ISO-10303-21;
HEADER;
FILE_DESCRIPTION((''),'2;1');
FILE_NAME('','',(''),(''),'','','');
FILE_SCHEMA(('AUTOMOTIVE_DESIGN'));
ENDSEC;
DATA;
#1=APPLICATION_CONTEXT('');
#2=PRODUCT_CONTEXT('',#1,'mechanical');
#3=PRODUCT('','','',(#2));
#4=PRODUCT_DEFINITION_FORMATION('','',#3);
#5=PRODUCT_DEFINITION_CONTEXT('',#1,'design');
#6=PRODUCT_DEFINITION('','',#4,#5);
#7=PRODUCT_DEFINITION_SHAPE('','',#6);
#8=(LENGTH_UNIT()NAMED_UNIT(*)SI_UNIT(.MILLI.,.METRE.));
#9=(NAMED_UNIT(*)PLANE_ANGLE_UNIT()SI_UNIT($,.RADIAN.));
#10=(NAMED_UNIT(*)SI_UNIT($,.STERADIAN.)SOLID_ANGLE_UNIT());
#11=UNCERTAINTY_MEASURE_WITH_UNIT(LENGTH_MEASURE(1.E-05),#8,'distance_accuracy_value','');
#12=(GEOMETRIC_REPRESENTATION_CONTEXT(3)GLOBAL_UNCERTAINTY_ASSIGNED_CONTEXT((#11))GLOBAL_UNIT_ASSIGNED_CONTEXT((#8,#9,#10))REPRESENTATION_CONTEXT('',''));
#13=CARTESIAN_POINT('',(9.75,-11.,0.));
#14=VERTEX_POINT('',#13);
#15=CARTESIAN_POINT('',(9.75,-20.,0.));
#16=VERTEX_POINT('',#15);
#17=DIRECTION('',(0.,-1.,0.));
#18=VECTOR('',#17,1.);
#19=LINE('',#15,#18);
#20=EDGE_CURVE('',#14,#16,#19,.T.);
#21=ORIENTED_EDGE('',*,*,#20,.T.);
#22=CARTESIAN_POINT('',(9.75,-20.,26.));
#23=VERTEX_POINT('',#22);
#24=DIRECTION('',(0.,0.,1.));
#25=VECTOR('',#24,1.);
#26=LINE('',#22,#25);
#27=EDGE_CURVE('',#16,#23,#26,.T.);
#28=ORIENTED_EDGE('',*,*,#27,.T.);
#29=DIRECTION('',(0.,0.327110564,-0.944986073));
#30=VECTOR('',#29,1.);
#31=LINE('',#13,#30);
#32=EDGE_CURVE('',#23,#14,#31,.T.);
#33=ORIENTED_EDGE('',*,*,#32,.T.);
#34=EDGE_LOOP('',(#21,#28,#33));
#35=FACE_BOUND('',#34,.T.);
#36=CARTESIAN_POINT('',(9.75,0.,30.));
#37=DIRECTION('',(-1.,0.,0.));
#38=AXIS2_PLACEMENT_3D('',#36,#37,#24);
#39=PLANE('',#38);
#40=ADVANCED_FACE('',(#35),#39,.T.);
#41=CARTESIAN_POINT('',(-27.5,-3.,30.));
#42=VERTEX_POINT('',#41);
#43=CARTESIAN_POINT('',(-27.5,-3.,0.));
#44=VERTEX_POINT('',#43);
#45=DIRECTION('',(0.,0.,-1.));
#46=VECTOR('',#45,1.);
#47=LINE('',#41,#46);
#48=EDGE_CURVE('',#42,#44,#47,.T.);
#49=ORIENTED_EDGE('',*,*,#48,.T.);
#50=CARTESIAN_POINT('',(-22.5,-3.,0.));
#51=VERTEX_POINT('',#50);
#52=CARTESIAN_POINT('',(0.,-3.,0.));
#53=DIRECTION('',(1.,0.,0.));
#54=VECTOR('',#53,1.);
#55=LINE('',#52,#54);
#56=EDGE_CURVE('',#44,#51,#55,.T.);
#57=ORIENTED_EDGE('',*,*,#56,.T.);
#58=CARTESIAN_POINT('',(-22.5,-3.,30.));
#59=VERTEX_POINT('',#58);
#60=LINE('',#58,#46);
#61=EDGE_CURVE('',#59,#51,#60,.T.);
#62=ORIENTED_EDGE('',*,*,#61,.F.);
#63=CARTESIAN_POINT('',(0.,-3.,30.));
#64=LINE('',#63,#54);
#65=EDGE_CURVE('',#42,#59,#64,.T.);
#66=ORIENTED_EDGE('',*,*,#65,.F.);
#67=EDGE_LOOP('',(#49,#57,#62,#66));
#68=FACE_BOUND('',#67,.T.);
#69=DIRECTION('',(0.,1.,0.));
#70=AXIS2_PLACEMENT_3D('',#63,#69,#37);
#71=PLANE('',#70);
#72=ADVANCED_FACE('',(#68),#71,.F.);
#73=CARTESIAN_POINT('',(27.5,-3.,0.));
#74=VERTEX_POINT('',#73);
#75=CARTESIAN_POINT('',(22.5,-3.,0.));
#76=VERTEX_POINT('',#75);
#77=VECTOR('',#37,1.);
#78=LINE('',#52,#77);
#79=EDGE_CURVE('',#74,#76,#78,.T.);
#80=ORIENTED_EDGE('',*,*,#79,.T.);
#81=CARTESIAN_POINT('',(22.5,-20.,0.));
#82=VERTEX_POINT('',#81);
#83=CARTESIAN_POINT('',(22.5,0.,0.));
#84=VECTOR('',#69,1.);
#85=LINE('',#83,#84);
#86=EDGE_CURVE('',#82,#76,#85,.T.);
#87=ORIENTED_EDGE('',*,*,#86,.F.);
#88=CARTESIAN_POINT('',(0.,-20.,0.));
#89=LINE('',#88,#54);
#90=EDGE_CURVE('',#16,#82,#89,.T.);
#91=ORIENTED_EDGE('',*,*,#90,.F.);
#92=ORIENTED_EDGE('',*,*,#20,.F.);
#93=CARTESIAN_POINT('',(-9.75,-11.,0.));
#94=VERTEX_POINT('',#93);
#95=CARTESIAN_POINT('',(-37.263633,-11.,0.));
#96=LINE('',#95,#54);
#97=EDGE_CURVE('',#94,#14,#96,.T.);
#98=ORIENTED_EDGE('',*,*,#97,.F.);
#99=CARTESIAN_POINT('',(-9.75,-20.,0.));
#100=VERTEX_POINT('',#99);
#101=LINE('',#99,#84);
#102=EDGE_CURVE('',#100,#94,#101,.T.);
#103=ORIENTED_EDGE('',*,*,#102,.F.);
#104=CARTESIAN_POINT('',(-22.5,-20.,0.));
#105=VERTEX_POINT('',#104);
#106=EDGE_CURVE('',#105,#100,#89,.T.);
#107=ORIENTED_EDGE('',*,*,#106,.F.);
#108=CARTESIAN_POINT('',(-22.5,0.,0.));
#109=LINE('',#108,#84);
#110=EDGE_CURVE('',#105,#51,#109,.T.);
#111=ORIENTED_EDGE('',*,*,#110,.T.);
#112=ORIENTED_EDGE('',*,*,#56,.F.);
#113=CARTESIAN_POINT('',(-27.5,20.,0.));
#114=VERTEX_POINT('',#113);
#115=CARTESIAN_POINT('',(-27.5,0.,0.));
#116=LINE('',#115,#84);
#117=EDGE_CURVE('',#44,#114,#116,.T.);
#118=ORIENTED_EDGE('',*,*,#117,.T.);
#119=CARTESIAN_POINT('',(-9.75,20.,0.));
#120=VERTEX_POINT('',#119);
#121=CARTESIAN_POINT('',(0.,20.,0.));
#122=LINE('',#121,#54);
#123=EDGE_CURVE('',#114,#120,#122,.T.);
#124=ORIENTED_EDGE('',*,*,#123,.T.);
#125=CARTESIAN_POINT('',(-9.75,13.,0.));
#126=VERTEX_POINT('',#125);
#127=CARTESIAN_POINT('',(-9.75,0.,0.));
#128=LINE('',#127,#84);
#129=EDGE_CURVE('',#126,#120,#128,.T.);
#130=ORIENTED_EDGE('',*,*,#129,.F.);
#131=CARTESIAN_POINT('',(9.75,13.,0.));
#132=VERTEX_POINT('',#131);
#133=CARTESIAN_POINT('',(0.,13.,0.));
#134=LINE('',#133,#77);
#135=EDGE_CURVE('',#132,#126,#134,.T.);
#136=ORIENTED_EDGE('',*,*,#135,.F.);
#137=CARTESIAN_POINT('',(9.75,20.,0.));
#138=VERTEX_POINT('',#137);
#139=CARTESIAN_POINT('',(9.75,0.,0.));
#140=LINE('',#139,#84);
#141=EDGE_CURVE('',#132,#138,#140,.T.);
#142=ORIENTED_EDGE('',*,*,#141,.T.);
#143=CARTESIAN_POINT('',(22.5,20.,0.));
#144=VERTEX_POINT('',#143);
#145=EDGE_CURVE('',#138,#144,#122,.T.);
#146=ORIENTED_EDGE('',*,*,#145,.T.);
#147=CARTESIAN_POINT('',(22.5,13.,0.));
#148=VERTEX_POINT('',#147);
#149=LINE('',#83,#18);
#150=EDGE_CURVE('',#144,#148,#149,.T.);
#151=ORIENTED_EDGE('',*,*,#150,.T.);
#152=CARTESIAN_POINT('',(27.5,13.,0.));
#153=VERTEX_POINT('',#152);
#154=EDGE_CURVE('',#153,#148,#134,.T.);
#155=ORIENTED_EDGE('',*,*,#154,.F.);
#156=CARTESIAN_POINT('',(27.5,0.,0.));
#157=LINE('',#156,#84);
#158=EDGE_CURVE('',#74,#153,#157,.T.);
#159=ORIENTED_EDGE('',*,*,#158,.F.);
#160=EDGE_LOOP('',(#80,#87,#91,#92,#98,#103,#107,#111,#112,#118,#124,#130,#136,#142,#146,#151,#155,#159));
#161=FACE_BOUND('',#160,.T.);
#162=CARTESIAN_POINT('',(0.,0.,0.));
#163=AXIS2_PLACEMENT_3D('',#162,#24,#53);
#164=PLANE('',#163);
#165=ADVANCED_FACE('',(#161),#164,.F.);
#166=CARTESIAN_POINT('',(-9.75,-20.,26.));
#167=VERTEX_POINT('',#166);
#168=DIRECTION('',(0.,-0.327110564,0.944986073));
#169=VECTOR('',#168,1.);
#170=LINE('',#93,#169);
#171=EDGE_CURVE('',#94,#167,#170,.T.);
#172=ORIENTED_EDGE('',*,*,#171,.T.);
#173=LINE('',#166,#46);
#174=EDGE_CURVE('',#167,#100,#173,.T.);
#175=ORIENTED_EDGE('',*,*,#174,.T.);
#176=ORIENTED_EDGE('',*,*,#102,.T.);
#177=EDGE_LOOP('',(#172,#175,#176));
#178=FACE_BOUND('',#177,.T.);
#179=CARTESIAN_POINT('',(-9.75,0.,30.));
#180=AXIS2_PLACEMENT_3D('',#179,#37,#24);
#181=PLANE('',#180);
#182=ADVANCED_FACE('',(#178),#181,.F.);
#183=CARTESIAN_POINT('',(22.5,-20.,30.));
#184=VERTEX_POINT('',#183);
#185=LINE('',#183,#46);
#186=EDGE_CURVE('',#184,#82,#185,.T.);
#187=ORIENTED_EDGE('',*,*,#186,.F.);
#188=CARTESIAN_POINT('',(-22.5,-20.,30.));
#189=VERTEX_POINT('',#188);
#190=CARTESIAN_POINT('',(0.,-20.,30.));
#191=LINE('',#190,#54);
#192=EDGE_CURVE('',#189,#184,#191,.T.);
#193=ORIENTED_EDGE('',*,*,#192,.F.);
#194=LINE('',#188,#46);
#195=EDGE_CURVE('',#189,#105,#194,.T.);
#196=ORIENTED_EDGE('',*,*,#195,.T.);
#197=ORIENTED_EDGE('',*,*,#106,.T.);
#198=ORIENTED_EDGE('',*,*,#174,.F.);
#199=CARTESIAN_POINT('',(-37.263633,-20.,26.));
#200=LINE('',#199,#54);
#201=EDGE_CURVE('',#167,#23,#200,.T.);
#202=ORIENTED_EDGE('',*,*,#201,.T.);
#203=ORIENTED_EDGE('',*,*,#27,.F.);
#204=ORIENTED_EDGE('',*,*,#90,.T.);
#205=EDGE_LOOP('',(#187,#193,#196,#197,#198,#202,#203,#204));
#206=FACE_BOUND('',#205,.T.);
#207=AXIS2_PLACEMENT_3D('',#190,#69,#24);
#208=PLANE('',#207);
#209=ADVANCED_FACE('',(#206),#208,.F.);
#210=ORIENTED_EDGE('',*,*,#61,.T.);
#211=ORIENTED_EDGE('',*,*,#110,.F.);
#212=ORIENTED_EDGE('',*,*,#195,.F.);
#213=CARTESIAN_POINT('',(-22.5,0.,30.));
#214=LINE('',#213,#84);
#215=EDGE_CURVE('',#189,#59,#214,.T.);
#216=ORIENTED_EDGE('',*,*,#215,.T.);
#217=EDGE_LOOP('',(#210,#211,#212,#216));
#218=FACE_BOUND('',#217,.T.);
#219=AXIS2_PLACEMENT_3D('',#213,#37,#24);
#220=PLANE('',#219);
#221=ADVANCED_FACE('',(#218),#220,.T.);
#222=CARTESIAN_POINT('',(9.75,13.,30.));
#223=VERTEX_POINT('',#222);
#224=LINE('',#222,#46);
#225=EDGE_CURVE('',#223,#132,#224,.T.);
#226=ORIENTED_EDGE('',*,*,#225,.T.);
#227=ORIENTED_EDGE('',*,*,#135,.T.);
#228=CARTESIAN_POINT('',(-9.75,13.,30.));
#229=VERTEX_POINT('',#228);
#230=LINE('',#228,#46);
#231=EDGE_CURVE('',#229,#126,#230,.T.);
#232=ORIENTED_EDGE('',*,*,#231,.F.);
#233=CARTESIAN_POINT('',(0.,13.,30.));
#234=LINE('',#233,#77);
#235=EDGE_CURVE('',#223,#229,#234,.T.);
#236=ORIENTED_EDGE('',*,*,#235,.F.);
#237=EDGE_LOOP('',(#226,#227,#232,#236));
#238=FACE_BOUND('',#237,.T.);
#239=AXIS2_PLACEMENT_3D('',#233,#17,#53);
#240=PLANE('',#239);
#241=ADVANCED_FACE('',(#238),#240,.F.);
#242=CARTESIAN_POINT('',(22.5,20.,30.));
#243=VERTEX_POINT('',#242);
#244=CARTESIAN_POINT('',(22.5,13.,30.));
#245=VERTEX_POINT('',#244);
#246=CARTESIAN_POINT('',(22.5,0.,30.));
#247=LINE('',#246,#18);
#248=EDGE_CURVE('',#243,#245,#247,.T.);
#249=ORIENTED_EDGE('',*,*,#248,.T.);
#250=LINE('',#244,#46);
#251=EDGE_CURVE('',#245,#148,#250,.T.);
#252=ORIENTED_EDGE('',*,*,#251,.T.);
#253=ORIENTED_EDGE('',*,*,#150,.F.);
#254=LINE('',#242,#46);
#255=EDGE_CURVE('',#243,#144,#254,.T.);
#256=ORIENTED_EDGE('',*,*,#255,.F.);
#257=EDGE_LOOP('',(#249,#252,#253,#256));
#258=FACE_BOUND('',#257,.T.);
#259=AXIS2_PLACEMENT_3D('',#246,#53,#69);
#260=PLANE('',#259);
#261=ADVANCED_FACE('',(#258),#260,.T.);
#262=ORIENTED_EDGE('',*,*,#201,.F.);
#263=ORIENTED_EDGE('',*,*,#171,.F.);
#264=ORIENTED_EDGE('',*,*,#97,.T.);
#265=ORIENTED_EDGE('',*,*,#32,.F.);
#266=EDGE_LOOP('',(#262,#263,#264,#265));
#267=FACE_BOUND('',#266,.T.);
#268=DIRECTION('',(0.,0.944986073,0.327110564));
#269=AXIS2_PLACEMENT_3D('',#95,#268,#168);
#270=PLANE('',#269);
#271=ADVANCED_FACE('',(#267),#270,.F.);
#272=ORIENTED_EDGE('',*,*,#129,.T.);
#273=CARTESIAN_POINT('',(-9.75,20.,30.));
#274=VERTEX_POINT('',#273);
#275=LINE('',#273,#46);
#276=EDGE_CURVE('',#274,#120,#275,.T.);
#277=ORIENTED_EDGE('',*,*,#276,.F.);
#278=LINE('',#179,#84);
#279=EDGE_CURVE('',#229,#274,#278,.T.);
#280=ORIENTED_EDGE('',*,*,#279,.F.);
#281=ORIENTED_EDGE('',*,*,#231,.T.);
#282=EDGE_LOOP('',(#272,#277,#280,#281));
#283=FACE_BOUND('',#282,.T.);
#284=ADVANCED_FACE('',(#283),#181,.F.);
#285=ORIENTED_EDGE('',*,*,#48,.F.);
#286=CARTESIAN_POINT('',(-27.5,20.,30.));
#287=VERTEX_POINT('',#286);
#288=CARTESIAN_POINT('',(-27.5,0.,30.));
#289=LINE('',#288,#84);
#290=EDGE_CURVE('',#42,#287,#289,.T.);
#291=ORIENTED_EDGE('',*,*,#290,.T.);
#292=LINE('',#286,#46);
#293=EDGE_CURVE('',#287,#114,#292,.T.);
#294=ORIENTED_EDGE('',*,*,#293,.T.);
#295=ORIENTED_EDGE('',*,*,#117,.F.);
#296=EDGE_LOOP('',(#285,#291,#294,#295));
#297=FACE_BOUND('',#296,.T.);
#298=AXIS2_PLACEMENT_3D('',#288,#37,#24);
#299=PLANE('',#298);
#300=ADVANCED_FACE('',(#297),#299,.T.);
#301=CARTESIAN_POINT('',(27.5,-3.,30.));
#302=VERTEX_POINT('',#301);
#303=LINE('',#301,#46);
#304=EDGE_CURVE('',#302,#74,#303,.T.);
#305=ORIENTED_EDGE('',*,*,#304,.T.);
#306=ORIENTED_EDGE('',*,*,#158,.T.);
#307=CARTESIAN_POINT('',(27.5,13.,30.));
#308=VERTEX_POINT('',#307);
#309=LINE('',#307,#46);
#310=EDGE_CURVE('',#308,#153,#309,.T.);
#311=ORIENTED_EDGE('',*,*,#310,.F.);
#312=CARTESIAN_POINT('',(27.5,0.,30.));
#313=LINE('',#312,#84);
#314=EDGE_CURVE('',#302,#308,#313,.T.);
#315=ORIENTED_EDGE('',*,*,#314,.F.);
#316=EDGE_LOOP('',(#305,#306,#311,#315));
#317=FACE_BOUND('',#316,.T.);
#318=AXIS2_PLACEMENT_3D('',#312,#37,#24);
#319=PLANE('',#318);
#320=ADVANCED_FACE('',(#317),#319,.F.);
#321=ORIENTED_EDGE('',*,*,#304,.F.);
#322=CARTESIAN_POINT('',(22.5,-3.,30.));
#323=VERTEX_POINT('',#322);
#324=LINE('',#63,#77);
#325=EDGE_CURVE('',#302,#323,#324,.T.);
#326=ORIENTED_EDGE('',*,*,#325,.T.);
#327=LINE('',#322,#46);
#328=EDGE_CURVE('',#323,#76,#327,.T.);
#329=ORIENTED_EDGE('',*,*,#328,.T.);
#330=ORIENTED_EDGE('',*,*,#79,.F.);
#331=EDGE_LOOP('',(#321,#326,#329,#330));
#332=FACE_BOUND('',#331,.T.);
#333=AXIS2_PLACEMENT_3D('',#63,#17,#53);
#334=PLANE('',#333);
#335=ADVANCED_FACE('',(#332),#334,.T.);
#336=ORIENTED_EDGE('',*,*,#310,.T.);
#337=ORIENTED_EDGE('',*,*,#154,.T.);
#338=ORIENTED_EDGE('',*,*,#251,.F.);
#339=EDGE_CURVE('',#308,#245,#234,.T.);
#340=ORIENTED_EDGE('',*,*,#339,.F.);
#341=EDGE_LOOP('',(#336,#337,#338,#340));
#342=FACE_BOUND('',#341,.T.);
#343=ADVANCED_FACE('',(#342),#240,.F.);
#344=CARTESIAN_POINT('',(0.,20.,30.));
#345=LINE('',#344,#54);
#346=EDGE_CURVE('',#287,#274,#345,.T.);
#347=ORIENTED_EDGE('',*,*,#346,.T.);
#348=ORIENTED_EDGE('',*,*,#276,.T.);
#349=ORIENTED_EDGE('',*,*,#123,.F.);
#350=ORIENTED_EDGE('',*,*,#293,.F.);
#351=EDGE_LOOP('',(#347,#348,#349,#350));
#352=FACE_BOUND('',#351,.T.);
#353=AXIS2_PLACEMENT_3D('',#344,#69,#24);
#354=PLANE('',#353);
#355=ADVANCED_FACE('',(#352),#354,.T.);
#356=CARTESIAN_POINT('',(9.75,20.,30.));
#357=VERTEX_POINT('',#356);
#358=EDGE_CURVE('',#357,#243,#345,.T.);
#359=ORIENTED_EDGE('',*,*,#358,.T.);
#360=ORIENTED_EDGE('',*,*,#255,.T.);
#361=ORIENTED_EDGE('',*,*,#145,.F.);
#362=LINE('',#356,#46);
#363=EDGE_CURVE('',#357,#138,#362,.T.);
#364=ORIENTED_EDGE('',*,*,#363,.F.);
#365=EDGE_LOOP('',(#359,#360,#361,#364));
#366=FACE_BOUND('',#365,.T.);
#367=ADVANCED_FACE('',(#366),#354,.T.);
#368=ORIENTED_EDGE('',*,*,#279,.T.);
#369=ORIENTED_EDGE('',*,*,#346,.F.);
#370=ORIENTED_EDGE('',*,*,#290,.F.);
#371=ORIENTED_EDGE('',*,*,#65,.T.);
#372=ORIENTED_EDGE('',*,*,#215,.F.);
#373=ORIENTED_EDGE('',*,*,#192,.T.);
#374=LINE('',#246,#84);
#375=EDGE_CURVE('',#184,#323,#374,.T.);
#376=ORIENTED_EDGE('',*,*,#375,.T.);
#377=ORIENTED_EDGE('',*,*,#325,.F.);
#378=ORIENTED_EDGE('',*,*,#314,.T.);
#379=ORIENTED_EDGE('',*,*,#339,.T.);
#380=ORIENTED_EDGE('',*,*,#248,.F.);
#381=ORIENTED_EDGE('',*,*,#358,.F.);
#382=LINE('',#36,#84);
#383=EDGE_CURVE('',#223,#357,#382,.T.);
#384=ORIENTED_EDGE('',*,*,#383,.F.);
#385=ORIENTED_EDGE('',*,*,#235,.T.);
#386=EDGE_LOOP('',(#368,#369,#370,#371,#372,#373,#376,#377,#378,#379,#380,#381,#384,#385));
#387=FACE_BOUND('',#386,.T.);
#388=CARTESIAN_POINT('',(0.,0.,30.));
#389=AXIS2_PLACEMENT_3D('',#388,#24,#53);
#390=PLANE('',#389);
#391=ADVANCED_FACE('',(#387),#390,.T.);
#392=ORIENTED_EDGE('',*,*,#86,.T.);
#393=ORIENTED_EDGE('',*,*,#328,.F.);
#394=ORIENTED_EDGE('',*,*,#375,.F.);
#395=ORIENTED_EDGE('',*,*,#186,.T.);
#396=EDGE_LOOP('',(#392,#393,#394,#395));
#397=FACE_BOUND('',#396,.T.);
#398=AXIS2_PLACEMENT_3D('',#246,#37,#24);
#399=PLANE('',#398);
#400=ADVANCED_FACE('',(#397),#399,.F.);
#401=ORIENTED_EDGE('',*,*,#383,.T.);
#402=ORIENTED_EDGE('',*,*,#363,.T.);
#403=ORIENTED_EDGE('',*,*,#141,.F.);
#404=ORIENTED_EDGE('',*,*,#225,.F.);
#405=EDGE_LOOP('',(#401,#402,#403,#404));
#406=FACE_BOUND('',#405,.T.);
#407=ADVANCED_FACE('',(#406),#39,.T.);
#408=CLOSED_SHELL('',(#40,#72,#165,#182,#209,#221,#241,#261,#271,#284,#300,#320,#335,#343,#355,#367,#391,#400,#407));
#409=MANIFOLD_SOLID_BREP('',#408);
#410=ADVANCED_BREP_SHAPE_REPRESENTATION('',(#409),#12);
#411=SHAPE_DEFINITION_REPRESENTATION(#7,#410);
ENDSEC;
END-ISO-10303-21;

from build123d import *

# Parameters (mm, degrees)
EXTRUDE_1_DEPTH                 = 30
CUT_EXTRUDE_1_REACH             = 47.346
CUT_EXTRUDE_1_DIRECTION_2_REACH = 47.346


with BuildPart() as part:
    # Эскиз1 → Бобышка-Вытянуть1 (new body)
    with BuildSketch(Plane.XY):
        Polygon((-22.5, -3), (-22.5, -20), (22.5, -20), (22.5, -3), (27.5, -3), (27.5, 13), (22.5, 13), (22.5, 20), (9.75, 20), (9.75, 13), (-9.75, 13), (-9.75, 20), (-27.5, 20), (-27.5, -3), align=None)
    extrude(amount=EXTRUDE_1_DEPTH)

    # Вырез-Вытянуть1: up to this face of the body (flat: up to its plane)
    cut_extrude_1_end = Plane(part.part.faces().sort_by_distance((-9.75, 16.5, 15))[0])
    # Эскиз2 → Вырез-Вытянуть1 (cut, up to the picked face)
    with BuildSketch(Plane(origin=(0, 0, 0), x_dir=(0, 0, -1), z_dir=(1, 0, 0)), mode=Mode.PRIVATE) as cut_extrude_1_sk1:
        Polygon((0, -20), (0, -11), (-26, -20), align=None)
    cut_extrude_1_tool1 = split(extrude(cut_extrude_1_sk1.sketch, amount=-CUT_EXTRUDE_1_REACH, mode=Mode.PRIVATE), bisect_by=cut_extrude_1_end, keep=Keep.BOTH, mode=Mode.PRIVATE)
    add(cut_extrude_1_tool1.solids().sort_by(Axis((0, -17, 8.666667), (-1, 0, 0)))[0], mode=Mode.SUBTRACT)

    # Вырез-Вытянуть1 direction 2: up to this face of the body (flat: up to its plane)
    cut_extrude_1_direction_2_end = Plane(part.part.faces().sort_by_distance((9.75, 16.5, 15))[0])
    # Эскиз2 → Вырез-Вытянуть1 direction 2 (cut, up to the picked face)
    with BuildSketch(Plane(origin=(0, 0, 0), x_dir=(0, 0, -1), z_dir=(1, 0, 0)), mode=Mode.PRIVATE) as cut_extrude_1_direction_2_sk1:
        Polygon((0, -20), (0, -11), (-26, -20), align=None)
    cut_extrude_1_direction_2_tool1 = split(extrude(cut_extrude_1_direction_2_sk1.sketch, amount=CUT_EXTRUDE_1_DIRECTION_2_REACH, mode=Mode.PRIVATE), bisect_by=cut_extrude_1_direction_2_end, keep=Keep.BOTH, mode=Mode.PRIVATE)
    add(cut_extrude_1_direction_2_tool1.solids().sort_by(Axis((0, -17, 8.666667), (1, 0, 0)))[0], mode=Mode.SUBTRACT)


solid = part.part
